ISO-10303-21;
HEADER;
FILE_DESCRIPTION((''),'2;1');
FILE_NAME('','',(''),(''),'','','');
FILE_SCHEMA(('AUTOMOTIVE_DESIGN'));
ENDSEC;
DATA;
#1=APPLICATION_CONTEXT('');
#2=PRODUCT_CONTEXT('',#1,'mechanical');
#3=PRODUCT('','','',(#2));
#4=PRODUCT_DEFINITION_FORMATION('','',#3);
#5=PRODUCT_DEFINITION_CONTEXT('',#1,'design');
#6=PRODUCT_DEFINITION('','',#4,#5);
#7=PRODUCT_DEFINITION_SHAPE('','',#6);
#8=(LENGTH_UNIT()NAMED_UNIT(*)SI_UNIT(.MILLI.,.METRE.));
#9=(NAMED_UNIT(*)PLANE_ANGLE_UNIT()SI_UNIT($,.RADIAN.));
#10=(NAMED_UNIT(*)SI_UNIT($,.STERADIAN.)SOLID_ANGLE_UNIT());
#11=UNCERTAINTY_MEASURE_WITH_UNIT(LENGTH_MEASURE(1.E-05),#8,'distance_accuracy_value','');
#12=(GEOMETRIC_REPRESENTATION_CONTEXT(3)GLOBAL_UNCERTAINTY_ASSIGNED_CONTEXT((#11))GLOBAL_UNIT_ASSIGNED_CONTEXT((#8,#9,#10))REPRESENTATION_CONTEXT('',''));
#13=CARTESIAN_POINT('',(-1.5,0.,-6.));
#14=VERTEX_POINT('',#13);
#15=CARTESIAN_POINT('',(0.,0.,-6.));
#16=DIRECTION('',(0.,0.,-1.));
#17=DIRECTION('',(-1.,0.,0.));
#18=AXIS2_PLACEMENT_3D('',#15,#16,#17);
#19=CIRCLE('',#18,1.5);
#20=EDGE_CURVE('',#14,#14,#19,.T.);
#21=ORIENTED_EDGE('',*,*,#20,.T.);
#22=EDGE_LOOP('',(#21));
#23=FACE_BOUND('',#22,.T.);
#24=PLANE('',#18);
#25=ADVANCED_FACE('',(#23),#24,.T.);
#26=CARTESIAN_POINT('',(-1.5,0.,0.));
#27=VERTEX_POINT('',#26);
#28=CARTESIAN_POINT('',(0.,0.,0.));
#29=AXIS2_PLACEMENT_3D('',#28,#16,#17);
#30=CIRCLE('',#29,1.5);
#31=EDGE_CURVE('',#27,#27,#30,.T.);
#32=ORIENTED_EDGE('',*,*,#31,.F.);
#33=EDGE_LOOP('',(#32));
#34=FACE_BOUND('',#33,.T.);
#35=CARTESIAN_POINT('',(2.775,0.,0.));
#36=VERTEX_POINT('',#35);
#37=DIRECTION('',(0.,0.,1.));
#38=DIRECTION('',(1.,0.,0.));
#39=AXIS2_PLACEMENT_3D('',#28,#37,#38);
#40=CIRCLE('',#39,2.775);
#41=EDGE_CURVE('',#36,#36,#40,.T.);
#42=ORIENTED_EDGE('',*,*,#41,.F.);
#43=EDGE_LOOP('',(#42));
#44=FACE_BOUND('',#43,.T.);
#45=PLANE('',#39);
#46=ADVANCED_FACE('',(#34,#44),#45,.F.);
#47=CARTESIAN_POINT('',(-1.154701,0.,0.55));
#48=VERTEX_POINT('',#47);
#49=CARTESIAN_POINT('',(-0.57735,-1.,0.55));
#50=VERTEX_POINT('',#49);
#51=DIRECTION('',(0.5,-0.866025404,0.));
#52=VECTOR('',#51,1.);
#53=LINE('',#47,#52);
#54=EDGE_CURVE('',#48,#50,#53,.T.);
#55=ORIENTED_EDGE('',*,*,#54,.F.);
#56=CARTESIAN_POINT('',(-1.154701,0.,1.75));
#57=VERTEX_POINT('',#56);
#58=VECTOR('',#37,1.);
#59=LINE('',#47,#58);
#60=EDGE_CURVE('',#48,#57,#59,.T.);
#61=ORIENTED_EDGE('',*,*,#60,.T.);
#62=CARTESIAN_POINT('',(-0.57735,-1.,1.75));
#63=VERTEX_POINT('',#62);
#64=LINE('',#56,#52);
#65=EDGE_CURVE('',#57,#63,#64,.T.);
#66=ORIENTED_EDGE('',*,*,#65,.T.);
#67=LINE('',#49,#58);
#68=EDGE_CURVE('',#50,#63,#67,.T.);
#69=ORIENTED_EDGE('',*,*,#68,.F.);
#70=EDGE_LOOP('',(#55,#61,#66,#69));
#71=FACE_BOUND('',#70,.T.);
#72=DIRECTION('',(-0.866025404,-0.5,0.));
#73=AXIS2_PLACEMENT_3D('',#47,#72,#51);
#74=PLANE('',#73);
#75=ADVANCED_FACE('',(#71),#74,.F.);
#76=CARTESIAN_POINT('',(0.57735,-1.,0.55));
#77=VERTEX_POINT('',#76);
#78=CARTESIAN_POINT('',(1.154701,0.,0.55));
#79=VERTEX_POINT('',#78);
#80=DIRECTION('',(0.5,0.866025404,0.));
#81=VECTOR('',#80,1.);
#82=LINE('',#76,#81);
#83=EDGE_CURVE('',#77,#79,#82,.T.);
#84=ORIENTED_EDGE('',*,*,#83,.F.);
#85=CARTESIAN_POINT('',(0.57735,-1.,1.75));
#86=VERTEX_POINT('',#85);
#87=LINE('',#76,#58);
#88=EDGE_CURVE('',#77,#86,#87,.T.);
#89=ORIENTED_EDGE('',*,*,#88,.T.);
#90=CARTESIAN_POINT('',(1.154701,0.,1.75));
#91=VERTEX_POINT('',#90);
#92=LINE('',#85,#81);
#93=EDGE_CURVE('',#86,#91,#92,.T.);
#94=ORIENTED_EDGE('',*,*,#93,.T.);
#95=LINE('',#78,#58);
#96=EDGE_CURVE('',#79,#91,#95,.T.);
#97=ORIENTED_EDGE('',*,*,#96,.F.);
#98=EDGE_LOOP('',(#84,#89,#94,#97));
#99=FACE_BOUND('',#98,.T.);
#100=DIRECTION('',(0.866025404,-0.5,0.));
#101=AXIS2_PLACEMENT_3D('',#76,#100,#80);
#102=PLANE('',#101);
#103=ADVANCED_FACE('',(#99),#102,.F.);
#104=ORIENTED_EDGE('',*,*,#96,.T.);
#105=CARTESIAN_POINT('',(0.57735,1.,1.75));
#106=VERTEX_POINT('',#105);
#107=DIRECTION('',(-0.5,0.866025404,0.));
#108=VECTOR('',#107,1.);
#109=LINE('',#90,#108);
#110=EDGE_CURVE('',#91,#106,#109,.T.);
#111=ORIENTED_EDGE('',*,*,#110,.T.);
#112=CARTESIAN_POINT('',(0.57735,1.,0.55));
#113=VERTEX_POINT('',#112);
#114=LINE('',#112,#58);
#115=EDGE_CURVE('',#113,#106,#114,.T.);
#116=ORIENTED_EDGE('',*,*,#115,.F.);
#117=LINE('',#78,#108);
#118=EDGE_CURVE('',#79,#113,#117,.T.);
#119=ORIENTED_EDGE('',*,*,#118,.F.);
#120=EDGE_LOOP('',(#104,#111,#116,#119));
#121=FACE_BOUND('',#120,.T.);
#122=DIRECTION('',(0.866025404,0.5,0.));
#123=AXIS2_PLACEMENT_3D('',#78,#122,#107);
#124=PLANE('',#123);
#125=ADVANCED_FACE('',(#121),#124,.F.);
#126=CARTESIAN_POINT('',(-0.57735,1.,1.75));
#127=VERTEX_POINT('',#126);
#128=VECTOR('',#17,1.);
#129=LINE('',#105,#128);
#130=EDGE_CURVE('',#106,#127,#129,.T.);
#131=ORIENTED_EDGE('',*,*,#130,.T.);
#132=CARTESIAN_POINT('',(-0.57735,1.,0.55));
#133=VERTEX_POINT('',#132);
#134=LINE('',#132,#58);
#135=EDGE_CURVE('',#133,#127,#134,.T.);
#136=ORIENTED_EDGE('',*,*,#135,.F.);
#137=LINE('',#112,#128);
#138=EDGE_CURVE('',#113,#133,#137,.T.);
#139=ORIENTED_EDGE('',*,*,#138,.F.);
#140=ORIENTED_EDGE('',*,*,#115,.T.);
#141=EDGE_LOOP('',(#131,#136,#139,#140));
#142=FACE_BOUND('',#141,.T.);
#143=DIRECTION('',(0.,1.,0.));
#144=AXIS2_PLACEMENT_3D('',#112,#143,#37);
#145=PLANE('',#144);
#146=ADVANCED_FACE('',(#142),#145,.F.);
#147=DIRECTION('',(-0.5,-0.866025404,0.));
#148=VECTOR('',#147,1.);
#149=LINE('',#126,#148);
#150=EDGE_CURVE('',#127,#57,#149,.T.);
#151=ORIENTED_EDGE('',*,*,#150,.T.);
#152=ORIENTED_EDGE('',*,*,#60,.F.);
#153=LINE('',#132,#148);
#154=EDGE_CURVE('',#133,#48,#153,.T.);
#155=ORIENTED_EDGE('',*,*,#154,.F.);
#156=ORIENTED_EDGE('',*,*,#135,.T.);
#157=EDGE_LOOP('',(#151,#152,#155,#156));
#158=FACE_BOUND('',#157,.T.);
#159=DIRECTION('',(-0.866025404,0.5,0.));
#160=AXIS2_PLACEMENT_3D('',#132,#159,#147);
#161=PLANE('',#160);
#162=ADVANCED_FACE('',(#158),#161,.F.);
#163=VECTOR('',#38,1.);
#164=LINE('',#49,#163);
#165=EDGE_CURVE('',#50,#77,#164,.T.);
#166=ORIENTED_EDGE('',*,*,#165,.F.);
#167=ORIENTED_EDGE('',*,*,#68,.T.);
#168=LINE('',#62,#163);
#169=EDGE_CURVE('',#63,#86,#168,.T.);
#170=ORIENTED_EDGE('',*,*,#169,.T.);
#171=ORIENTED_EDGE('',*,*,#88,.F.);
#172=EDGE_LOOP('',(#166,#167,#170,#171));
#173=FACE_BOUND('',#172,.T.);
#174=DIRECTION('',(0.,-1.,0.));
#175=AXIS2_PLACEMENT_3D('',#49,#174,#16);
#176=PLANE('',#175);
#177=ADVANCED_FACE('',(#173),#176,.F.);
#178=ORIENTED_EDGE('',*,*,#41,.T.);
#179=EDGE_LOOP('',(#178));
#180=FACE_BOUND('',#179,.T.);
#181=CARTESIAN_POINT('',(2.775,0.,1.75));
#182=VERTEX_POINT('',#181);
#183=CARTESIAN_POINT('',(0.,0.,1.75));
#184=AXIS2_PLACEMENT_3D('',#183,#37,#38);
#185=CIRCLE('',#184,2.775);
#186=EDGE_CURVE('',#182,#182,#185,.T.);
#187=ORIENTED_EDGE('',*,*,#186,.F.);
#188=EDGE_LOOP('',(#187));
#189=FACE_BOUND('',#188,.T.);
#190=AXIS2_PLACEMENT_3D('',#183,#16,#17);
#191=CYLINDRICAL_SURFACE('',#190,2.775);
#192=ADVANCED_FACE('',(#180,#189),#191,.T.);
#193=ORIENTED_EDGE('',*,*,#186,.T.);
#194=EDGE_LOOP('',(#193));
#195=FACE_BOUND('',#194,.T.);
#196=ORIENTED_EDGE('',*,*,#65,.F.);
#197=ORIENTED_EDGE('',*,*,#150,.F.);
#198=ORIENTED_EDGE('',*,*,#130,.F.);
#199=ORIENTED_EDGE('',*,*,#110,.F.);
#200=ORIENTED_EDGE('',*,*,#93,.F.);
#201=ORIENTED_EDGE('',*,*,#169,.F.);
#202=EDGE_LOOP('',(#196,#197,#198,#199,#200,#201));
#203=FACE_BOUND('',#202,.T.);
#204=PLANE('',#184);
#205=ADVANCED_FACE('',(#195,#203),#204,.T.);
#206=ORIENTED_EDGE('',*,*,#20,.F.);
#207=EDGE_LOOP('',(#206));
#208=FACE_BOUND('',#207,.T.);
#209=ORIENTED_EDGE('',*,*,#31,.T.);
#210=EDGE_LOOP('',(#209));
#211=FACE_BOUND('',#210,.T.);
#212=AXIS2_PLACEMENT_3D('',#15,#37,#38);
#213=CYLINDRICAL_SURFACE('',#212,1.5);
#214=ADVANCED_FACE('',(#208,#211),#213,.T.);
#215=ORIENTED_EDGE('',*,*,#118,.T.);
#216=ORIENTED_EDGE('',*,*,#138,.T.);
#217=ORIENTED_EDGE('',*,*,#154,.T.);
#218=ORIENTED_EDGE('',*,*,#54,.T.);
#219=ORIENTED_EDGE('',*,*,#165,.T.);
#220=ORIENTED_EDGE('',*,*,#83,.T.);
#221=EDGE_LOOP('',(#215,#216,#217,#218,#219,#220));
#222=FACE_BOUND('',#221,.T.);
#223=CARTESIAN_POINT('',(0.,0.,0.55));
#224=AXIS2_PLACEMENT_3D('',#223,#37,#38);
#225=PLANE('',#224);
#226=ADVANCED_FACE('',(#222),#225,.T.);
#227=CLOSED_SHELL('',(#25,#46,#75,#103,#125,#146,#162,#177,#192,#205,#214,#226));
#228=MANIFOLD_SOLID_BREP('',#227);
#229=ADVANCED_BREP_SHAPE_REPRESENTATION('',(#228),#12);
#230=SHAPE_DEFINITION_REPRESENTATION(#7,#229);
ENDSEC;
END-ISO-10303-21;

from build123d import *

# Parameters (mm, degrees)
SKETCH1_R           = 2.775
BOSS_EXTRUDE1_DEPTH = 1.75
SKETCH2_R           = 1.5
BOSS_EXTRUDE2_DEPTH = 6
CUT_EXTRUDE1_DEPTH  = 1.2


with BuildPart() as part:
    # Sketch1 → Boss-Extrude1 (new body)
    with BuildSketch(Plane.XY):
        Circle(SKETCH1_R)
    extrude(amount=BOSS_EXTRUDE1_DEPTH)

    # Sketch2 → Boss-Extrude2 (add)
    with BuildSketch(Plane(origin=(0, 0, 0), x_dir=(-1, 0, 0), z_dir=(0, 0, -1))):
        Circle(SKETCH2_R)
    extrude(amount=BOSS_EXTRUDE2_DEPTH)

    # Sketch3 → Cut-Extrude1 (cut)
    with BuildSketch(Plane.XY.offset(1.75)):
        Polygon((1.154700538, 0), (0.577350269, 1), (-0.577350269, 1), (-1.154700538, 0), (-0.577350269, -1), (0.577350269, -1), align=None)
    extrude(amount=-CUT_EXTRUDE1_DEPTH, mode=Mode.SUBTRACT)


solid = part.part
